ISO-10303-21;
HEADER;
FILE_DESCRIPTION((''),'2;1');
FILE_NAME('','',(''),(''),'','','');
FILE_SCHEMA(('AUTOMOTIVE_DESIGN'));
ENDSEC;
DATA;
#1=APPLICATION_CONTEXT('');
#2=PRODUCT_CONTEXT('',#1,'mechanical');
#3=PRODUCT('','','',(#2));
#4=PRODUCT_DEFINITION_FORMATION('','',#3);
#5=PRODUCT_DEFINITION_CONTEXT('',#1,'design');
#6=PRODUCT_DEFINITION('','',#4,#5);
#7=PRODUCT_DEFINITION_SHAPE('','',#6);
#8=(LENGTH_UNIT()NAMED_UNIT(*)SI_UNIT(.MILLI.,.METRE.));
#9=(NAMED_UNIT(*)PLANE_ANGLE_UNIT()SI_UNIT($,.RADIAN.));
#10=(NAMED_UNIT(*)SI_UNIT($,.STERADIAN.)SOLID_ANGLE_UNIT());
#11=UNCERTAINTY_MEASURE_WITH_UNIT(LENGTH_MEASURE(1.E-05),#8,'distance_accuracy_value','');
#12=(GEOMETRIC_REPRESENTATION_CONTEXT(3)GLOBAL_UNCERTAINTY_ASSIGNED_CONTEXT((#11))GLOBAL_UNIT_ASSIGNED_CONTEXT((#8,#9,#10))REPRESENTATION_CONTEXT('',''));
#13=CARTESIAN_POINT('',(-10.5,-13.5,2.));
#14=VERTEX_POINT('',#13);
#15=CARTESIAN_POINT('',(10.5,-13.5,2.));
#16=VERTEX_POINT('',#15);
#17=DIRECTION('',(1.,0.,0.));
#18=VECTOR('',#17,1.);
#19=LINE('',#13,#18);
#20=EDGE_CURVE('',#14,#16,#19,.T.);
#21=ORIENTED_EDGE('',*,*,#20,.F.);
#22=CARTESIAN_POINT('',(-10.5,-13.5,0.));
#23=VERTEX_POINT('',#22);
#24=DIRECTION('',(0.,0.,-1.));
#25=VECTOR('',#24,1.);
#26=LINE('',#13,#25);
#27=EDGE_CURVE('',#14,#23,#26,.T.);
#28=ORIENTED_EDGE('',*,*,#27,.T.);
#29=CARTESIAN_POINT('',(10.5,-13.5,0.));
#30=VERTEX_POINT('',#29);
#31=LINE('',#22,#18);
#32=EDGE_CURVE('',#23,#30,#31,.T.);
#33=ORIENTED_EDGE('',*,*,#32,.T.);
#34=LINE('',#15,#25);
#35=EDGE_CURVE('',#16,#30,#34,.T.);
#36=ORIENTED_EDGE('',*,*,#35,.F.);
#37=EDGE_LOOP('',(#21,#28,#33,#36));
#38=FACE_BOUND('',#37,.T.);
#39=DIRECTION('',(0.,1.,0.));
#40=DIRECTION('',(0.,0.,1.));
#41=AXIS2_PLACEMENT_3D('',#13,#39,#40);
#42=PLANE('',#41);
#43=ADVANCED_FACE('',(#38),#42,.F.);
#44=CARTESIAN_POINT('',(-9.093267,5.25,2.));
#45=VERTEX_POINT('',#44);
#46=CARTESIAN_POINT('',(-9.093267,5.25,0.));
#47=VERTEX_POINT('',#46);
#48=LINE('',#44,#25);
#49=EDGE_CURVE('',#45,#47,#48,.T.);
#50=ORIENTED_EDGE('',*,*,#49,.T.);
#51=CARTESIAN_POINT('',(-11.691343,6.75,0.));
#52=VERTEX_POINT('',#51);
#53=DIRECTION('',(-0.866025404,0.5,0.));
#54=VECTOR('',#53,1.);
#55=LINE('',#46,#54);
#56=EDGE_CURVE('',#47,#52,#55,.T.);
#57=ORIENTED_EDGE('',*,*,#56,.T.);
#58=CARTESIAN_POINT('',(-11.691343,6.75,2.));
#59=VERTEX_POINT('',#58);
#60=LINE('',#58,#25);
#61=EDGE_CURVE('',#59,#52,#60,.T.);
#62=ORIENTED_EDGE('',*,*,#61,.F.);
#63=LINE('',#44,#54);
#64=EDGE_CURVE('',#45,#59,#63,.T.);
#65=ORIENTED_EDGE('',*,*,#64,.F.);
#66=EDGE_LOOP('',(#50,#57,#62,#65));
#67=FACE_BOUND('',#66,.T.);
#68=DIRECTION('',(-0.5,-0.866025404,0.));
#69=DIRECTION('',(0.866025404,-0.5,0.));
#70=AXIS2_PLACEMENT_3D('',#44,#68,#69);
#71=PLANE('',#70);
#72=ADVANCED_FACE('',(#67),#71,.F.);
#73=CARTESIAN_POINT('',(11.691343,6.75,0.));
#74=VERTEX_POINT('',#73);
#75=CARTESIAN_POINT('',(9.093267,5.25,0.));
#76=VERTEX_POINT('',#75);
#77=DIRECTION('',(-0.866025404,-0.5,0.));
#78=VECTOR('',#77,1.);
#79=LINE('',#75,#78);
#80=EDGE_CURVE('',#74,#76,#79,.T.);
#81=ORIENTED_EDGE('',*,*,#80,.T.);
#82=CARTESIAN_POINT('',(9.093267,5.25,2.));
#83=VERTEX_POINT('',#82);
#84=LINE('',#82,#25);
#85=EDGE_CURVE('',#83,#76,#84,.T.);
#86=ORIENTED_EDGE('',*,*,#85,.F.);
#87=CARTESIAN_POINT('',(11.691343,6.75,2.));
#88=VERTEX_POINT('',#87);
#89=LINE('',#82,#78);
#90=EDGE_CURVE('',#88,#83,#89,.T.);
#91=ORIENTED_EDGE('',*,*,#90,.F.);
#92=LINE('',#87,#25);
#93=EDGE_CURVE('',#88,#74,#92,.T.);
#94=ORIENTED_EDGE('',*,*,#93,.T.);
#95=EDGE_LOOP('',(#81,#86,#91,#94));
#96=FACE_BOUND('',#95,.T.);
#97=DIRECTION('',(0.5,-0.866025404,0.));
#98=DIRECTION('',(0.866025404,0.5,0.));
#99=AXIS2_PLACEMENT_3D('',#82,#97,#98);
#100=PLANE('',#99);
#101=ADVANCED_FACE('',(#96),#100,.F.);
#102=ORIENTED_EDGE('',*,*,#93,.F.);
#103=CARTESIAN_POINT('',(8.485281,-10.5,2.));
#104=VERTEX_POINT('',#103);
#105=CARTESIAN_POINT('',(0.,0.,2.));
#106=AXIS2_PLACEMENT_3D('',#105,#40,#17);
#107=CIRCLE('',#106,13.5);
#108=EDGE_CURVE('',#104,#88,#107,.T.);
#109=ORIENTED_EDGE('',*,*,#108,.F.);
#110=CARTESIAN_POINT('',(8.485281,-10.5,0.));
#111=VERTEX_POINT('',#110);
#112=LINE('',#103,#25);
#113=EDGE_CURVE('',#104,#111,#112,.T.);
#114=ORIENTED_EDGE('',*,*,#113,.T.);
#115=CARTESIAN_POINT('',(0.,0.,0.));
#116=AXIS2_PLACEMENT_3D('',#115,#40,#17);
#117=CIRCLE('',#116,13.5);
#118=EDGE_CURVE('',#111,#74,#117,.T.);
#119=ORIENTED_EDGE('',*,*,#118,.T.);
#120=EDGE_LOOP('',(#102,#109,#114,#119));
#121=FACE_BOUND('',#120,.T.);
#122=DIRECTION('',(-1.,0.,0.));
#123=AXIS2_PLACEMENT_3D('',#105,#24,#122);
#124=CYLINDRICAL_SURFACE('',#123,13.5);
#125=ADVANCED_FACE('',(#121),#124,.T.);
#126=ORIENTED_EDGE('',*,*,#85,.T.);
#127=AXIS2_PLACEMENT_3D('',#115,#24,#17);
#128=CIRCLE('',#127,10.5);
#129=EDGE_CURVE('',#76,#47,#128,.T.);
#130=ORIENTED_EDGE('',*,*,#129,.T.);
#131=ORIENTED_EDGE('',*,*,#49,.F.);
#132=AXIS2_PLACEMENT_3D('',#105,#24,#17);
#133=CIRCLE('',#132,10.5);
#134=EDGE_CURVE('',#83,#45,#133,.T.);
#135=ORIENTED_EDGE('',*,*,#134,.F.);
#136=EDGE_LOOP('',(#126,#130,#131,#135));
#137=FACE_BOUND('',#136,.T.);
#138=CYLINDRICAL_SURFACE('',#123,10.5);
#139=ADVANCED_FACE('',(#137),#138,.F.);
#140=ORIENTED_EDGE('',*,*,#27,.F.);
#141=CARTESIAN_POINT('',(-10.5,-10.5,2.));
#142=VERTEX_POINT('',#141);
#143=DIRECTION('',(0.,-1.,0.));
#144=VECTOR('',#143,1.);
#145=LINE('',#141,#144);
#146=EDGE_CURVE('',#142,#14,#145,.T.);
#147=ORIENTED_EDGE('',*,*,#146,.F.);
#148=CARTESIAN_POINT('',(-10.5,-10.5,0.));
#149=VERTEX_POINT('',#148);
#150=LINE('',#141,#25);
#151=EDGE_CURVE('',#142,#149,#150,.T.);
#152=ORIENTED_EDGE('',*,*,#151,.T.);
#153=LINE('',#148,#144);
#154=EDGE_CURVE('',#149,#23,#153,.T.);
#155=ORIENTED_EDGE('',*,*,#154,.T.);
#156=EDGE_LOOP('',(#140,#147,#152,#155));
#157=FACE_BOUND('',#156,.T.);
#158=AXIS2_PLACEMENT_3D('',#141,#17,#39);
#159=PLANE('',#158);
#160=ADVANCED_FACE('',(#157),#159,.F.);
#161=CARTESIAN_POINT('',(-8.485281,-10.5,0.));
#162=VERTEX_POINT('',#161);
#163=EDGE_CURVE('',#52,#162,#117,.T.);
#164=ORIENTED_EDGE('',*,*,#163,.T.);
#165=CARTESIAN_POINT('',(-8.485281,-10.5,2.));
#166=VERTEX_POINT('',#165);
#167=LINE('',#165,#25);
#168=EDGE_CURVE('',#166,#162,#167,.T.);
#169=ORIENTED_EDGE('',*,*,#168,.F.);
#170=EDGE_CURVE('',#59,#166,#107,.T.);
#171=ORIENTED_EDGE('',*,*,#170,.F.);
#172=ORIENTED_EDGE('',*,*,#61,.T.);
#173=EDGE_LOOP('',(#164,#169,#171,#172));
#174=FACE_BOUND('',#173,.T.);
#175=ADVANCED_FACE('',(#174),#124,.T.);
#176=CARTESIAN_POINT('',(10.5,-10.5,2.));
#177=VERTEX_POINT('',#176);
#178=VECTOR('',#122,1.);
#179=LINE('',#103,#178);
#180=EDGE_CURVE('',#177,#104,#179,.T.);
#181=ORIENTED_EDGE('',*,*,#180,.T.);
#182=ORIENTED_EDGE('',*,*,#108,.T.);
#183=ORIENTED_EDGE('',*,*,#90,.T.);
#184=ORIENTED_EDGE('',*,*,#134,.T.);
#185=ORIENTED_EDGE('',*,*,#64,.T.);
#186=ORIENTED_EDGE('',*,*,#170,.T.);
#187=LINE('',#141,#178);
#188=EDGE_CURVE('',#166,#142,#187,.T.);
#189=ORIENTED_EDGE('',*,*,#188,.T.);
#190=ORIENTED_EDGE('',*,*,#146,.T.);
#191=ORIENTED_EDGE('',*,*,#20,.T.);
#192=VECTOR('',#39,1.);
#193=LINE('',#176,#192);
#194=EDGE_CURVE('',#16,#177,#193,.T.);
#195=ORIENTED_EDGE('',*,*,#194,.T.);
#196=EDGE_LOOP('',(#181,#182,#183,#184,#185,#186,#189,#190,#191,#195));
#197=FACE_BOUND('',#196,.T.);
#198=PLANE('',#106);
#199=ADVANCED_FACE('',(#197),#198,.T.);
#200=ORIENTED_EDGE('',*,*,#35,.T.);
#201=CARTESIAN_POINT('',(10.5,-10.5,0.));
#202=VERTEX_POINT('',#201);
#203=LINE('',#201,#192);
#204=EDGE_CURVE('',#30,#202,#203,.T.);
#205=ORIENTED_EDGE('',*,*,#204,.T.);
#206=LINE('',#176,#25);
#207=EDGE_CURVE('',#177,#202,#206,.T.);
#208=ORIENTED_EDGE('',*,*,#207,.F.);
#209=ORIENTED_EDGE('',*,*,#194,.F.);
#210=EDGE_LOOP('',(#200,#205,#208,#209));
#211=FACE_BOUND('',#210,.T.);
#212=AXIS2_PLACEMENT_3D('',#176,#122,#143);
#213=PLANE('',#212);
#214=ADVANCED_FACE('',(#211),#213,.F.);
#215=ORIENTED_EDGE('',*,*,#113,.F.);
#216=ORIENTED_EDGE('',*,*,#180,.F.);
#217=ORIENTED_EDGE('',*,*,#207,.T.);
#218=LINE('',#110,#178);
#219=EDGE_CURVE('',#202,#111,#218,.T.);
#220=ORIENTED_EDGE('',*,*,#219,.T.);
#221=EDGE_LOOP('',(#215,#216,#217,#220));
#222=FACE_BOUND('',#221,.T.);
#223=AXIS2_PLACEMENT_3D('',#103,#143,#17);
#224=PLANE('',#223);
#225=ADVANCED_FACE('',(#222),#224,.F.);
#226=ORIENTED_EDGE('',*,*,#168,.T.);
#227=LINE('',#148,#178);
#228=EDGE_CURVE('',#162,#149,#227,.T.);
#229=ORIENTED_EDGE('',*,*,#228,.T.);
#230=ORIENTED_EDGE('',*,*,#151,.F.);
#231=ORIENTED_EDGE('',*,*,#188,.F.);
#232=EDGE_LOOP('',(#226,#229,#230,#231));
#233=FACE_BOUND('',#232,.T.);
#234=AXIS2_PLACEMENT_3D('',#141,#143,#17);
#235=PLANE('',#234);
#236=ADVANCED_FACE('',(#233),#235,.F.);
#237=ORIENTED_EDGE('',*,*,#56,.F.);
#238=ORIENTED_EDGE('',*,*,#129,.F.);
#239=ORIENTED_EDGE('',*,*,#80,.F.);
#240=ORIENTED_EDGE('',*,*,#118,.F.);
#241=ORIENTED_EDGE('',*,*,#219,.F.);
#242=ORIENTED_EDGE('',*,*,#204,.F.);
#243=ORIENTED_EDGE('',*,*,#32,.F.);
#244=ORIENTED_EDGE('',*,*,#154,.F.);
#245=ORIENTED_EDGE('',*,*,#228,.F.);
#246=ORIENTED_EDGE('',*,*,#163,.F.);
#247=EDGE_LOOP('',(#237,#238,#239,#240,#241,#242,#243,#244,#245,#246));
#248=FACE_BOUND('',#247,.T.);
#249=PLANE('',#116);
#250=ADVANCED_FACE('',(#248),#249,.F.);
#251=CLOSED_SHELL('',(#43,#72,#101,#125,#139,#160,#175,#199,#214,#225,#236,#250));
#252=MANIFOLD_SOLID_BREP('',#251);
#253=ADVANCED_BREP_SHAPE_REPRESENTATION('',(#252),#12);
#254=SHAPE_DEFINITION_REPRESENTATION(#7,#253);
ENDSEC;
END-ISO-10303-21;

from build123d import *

# Parameters (mm, degrees)
BOSS_EXTRUDE1_DEPTH = 2


with BuildPart() as part:
    # Sketch1 → Boss-Extrude1 (new body)
    with BuildSketch(Plane.XY):
        with BuildLine():
            Line((-9.09326674, 5.25), (-11.691342951, 6.75))
            ThreePointArc((-11.691342951, 6.75), (-13.272703843, -2.466846714), (-8.485281374, -10.5))
            Line((-8.485281374, -10.5), (-10.5, -10.5))
            Line((-10.5, -10.5), (-10.5, -13.5))
            Line((-10.5, -13.5), (10.5, -13.5))
            Line((10.5, -13.5), (10.5, -10.5))
            Line((10.5, -10.5), (8.485281374, -10.5))
            ThreePointArc((8.485281374, -10.5), (13.272703843, -2.466846714), (11.691342951, 6.75))
            Line((11.691342951, 6.75), (9.09326674, 5.25))
            ThreePointArc((9.09326674, 5.25), (0, -10.5), (-9.09326674, 5.25))
        make_face()
    extrude(amount=BOSS_EXTRUDE1_DEPTH)


solid = part.part
